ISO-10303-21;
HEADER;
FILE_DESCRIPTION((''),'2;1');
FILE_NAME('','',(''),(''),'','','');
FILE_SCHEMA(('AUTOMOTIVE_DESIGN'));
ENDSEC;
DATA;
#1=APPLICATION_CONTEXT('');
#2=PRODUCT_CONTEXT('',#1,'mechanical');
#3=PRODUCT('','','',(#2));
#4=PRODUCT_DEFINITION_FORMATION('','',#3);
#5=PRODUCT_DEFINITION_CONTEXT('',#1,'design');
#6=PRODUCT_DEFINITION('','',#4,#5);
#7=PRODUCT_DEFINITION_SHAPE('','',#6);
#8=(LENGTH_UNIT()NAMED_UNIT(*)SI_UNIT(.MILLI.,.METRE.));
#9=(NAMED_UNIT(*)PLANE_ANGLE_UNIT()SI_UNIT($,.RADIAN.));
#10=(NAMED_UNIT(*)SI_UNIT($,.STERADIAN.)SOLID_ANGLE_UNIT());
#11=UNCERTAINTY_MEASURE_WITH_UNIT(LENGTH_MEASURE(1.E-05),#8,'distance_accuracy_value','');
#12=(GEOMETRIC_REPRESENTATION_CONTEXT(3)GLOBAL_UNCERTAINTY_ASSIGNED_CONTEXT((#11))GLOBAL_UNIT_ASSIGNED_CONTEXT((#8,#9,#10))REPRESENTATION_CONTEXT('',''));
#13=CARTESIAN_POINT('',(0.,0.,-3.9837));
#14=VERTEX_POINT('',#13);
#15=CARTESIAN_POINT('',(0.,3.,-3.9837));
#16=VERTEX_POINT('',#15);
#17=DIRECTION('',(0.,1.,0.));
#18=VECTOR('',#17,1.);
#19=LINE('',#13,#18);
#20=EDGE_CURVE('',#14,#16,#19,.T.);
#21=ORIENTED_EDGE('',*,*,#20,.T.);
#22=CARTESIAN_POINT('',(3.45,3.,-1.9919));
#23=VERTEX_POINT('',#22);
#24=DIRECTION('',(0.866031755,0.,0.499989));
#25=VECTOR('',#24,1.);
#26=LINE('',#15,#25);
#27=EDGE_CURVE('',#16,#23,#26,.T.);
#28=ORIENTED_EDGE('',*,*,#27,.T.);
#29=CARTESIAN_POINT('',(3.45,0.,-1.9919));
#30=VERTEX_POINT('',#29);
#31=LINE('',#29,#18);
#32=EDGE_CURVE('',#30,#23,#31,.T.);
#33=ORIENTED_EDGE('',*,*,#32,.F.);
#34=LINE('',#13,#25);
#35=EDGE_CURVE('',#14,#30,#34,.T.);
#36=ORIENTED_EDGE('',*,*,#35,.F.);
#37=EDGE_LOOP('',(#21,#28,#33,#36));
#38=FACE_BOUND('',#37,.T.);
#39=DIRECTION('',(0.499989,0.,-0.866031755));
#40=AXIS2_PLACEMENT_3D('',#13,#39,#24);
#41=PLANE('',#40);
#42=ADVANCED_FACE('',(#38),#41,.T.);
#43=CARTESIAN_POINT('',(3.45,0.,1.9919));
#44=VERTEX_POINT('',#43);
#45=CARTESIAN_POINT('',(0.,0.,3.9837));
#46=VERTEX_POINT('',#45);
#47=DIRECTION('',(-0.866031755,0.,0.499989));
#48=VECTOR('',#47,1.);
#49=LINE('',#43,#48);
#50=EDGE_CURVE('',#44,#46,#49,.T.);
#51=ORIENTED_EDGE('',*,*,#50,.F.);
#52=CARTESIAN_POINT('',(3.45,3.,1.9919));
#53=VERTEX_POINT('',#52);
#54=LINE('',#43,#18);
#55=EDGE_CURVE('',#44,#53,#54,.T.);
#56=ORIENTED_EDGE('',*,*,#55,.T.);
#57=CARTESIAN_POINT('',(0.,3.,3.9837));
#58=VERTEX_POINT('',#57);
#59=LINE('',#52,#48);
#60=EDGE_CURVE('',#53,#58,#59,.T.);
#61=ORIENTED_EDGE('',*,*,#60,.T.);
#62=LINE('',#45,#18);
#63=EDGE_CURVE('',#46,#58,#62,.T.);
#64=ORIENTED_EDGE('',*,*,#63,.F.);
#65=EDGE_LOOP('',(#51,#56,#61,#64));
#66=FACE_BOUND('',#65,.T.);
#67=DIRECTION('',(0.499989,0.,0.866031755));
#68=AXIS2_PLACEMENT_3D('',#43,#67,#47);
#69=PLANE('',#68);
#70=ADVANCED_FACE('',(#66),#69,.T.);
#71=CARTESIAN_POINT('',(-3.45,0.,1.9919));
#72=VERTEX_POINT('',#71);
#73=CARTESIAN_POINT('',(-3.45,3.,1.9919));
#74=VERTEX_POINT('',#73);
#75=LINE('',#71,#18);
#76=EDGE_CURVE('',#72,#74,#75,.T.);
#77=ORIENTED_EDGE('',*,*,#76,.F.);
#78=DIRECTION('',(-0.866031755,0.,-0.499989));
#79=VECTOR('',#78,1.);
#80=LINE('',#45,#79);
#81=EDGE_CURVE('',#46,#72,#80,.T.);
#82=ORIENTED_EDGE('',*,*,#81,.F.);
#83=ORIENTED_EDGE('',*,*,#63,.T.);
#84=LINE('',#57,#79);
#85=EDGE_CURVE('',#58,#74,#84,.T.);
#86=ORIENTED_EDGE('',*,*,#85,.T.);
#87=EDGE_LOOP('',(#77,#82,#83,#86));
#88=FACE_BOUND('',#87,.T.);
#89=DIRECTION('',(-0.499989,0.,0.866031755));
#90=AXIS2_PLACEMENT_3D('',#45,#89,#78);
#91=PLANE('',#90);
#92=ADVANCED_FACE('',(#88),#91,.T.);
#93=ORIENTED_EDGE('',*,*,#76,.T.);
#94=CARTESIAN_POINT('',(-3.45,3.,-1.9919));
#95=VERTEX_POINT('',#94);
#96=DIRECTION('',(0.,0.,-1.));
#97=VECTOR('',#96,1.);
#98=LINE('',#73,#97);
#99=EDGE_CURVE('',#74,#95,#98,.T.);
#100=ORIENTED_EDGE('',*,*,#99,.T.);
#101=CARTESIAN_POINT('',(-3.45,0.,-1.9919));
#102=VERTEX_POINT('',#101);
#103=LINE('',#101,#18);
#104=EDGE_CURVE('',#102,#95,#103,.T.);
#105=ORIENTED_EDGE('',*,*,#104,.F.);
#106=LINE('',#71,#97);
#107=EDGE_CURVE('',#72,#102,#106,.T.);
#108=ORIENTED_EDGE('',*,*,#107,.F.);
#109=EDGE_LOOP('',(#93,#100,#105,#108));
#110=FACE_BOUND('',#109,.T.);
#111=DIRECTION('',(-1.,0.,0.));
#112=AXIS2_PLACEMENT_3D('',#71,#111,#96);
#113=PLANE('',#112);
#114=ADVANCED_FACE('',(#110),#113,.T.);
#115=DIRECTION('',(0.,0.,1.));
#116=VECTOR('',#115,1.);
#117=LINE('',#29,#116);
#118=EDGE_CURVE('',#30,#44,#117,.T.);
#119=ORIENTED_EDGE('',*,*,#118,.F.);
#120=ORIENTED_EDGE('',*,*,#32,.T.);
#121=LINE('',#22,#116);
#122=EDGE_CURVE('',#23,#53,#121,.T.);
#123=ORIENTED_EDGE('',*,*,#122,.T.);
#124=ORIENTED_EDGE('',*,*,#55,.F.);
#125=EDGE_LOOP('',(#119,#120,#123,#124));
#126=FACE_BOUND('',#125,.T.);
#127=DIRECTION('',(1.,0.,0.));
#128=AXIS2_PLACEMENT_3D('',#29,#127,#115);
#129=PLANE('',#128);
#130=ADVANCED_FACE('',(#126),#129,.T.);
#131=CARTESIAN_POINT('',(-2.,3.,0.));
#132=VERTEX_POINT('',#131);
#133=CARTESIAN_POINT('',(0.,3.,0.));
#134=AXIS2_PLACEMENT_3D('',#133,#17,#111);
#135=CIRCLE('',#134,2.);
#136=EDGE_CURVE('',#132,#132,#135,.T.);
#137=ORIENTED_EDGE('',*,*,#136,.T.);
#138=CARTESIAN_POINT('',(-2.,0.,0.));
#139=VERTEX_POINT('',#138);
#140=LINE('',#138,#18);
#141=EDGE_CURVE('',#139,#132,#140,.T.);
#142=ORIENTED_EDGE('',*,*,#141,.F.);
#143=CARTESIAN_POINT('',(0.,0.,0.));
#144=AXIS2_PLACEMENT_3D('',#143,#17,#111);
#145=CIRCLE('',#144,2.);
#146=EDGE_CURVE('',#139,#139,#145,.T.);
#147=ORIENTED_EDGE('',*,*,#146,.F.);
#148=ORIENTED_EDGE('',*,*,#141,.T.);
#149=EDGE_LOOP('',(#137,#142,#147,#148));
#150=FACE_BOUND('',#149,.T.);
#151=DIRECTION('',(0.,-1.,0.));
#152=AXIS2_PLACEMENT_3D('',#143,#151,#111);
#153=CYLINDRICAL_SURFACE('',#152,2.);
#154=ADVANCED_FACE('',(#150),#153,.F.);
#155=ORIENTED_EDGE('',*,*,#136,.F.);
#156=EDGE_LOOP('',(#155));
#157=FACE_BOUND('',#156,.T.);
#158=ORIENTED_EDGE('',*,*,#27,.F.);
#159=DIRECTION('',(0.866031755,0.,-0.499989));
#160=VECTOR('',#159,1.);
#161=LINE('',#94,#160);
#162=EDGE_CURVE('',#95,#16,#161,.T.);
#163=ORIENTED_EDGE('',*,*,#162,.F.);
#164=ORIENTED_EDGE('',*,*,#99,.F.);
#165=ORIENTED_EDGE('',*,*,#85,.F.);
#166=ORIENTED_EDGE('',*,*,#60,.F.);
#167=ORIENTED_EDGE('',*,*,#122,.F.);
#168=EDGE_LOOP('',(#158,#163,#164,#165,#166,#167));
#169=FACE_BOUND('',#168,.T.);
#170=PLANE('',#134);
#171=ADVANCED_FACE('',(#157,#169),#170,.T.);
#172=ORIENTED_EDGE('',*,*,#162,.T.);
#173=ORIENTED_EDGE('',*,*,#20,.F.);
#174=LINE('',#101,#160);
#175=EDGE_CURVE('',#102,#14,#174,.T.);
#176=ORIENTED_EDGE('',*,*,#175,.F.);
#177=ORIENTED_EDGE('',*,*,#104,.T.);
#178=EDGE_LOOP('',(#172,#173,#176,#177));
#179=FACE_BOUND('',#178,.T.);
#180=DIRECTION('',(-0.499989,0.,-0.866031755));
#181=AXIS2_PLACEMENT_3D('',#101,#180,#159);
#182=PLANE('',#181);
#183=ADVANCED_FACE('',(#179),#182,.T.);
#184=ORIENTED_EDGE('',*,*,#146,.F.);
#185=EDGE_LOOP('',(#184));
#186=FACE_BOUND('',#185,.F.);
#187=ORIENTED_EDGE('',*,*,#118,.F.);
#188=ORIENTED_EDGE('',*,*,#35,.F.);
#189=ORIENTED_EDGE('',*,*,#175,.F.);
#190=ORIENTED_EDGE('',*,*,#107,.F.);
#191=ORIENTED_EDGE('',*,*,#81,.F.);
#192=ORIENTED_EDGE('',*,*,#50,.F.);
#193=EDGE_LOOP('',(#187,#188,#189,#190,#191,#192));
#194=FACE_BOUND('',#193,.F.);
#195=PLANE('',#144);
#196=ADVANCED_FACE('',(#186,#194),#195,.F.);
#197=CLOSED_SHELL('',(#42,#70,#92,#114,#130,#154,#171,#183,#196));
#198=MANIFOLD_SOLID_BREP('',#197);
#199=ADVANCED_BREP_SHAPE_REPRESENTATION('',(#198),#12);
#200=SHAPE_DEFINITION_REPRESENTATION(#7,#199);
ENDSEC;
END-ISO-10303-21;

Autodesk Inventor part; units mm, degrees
ref_plane "YZ Plane" through (0, 0, 0) normal (1, 0, 0) x (0, 1, 0)
ref_plane "XZ Plane" through (0, 0, 0) normal (0, 1, 0) x (-1, 0, 0)
ref_plane "XY Plane" through (0, 0, 0) normal (0, 0, 1) x (1, 0, 0)
sketch "Sketch1" plane through (0, 0, 0) normal (0, 1, 0) x (-1, 0, 0)
  line L0 (0, -3.9837) -> (-3.45, -1.9919)
  line L1 (-3.45, -1.9919) -> (-3.45, 1.9919)
  line L2 (-3.45, 1.9919) -> (0, 3.9837)
  line L3 (0, 3.9837) -> (3.45, 1.9919)
  line L4 (3.45, 1.9919) -> (3.45, -1.9919)
  line L5 (3.45, -1.9919) -> (0, -3.9837)
  circle A0 centre (0, 0) radius 2
  dimension "d0" = 6.9
  dimension "d1" = 4
extrude "Extrusion1" add sketch "Sketch1" along normal blind 3
properties part number "M4_nut"
